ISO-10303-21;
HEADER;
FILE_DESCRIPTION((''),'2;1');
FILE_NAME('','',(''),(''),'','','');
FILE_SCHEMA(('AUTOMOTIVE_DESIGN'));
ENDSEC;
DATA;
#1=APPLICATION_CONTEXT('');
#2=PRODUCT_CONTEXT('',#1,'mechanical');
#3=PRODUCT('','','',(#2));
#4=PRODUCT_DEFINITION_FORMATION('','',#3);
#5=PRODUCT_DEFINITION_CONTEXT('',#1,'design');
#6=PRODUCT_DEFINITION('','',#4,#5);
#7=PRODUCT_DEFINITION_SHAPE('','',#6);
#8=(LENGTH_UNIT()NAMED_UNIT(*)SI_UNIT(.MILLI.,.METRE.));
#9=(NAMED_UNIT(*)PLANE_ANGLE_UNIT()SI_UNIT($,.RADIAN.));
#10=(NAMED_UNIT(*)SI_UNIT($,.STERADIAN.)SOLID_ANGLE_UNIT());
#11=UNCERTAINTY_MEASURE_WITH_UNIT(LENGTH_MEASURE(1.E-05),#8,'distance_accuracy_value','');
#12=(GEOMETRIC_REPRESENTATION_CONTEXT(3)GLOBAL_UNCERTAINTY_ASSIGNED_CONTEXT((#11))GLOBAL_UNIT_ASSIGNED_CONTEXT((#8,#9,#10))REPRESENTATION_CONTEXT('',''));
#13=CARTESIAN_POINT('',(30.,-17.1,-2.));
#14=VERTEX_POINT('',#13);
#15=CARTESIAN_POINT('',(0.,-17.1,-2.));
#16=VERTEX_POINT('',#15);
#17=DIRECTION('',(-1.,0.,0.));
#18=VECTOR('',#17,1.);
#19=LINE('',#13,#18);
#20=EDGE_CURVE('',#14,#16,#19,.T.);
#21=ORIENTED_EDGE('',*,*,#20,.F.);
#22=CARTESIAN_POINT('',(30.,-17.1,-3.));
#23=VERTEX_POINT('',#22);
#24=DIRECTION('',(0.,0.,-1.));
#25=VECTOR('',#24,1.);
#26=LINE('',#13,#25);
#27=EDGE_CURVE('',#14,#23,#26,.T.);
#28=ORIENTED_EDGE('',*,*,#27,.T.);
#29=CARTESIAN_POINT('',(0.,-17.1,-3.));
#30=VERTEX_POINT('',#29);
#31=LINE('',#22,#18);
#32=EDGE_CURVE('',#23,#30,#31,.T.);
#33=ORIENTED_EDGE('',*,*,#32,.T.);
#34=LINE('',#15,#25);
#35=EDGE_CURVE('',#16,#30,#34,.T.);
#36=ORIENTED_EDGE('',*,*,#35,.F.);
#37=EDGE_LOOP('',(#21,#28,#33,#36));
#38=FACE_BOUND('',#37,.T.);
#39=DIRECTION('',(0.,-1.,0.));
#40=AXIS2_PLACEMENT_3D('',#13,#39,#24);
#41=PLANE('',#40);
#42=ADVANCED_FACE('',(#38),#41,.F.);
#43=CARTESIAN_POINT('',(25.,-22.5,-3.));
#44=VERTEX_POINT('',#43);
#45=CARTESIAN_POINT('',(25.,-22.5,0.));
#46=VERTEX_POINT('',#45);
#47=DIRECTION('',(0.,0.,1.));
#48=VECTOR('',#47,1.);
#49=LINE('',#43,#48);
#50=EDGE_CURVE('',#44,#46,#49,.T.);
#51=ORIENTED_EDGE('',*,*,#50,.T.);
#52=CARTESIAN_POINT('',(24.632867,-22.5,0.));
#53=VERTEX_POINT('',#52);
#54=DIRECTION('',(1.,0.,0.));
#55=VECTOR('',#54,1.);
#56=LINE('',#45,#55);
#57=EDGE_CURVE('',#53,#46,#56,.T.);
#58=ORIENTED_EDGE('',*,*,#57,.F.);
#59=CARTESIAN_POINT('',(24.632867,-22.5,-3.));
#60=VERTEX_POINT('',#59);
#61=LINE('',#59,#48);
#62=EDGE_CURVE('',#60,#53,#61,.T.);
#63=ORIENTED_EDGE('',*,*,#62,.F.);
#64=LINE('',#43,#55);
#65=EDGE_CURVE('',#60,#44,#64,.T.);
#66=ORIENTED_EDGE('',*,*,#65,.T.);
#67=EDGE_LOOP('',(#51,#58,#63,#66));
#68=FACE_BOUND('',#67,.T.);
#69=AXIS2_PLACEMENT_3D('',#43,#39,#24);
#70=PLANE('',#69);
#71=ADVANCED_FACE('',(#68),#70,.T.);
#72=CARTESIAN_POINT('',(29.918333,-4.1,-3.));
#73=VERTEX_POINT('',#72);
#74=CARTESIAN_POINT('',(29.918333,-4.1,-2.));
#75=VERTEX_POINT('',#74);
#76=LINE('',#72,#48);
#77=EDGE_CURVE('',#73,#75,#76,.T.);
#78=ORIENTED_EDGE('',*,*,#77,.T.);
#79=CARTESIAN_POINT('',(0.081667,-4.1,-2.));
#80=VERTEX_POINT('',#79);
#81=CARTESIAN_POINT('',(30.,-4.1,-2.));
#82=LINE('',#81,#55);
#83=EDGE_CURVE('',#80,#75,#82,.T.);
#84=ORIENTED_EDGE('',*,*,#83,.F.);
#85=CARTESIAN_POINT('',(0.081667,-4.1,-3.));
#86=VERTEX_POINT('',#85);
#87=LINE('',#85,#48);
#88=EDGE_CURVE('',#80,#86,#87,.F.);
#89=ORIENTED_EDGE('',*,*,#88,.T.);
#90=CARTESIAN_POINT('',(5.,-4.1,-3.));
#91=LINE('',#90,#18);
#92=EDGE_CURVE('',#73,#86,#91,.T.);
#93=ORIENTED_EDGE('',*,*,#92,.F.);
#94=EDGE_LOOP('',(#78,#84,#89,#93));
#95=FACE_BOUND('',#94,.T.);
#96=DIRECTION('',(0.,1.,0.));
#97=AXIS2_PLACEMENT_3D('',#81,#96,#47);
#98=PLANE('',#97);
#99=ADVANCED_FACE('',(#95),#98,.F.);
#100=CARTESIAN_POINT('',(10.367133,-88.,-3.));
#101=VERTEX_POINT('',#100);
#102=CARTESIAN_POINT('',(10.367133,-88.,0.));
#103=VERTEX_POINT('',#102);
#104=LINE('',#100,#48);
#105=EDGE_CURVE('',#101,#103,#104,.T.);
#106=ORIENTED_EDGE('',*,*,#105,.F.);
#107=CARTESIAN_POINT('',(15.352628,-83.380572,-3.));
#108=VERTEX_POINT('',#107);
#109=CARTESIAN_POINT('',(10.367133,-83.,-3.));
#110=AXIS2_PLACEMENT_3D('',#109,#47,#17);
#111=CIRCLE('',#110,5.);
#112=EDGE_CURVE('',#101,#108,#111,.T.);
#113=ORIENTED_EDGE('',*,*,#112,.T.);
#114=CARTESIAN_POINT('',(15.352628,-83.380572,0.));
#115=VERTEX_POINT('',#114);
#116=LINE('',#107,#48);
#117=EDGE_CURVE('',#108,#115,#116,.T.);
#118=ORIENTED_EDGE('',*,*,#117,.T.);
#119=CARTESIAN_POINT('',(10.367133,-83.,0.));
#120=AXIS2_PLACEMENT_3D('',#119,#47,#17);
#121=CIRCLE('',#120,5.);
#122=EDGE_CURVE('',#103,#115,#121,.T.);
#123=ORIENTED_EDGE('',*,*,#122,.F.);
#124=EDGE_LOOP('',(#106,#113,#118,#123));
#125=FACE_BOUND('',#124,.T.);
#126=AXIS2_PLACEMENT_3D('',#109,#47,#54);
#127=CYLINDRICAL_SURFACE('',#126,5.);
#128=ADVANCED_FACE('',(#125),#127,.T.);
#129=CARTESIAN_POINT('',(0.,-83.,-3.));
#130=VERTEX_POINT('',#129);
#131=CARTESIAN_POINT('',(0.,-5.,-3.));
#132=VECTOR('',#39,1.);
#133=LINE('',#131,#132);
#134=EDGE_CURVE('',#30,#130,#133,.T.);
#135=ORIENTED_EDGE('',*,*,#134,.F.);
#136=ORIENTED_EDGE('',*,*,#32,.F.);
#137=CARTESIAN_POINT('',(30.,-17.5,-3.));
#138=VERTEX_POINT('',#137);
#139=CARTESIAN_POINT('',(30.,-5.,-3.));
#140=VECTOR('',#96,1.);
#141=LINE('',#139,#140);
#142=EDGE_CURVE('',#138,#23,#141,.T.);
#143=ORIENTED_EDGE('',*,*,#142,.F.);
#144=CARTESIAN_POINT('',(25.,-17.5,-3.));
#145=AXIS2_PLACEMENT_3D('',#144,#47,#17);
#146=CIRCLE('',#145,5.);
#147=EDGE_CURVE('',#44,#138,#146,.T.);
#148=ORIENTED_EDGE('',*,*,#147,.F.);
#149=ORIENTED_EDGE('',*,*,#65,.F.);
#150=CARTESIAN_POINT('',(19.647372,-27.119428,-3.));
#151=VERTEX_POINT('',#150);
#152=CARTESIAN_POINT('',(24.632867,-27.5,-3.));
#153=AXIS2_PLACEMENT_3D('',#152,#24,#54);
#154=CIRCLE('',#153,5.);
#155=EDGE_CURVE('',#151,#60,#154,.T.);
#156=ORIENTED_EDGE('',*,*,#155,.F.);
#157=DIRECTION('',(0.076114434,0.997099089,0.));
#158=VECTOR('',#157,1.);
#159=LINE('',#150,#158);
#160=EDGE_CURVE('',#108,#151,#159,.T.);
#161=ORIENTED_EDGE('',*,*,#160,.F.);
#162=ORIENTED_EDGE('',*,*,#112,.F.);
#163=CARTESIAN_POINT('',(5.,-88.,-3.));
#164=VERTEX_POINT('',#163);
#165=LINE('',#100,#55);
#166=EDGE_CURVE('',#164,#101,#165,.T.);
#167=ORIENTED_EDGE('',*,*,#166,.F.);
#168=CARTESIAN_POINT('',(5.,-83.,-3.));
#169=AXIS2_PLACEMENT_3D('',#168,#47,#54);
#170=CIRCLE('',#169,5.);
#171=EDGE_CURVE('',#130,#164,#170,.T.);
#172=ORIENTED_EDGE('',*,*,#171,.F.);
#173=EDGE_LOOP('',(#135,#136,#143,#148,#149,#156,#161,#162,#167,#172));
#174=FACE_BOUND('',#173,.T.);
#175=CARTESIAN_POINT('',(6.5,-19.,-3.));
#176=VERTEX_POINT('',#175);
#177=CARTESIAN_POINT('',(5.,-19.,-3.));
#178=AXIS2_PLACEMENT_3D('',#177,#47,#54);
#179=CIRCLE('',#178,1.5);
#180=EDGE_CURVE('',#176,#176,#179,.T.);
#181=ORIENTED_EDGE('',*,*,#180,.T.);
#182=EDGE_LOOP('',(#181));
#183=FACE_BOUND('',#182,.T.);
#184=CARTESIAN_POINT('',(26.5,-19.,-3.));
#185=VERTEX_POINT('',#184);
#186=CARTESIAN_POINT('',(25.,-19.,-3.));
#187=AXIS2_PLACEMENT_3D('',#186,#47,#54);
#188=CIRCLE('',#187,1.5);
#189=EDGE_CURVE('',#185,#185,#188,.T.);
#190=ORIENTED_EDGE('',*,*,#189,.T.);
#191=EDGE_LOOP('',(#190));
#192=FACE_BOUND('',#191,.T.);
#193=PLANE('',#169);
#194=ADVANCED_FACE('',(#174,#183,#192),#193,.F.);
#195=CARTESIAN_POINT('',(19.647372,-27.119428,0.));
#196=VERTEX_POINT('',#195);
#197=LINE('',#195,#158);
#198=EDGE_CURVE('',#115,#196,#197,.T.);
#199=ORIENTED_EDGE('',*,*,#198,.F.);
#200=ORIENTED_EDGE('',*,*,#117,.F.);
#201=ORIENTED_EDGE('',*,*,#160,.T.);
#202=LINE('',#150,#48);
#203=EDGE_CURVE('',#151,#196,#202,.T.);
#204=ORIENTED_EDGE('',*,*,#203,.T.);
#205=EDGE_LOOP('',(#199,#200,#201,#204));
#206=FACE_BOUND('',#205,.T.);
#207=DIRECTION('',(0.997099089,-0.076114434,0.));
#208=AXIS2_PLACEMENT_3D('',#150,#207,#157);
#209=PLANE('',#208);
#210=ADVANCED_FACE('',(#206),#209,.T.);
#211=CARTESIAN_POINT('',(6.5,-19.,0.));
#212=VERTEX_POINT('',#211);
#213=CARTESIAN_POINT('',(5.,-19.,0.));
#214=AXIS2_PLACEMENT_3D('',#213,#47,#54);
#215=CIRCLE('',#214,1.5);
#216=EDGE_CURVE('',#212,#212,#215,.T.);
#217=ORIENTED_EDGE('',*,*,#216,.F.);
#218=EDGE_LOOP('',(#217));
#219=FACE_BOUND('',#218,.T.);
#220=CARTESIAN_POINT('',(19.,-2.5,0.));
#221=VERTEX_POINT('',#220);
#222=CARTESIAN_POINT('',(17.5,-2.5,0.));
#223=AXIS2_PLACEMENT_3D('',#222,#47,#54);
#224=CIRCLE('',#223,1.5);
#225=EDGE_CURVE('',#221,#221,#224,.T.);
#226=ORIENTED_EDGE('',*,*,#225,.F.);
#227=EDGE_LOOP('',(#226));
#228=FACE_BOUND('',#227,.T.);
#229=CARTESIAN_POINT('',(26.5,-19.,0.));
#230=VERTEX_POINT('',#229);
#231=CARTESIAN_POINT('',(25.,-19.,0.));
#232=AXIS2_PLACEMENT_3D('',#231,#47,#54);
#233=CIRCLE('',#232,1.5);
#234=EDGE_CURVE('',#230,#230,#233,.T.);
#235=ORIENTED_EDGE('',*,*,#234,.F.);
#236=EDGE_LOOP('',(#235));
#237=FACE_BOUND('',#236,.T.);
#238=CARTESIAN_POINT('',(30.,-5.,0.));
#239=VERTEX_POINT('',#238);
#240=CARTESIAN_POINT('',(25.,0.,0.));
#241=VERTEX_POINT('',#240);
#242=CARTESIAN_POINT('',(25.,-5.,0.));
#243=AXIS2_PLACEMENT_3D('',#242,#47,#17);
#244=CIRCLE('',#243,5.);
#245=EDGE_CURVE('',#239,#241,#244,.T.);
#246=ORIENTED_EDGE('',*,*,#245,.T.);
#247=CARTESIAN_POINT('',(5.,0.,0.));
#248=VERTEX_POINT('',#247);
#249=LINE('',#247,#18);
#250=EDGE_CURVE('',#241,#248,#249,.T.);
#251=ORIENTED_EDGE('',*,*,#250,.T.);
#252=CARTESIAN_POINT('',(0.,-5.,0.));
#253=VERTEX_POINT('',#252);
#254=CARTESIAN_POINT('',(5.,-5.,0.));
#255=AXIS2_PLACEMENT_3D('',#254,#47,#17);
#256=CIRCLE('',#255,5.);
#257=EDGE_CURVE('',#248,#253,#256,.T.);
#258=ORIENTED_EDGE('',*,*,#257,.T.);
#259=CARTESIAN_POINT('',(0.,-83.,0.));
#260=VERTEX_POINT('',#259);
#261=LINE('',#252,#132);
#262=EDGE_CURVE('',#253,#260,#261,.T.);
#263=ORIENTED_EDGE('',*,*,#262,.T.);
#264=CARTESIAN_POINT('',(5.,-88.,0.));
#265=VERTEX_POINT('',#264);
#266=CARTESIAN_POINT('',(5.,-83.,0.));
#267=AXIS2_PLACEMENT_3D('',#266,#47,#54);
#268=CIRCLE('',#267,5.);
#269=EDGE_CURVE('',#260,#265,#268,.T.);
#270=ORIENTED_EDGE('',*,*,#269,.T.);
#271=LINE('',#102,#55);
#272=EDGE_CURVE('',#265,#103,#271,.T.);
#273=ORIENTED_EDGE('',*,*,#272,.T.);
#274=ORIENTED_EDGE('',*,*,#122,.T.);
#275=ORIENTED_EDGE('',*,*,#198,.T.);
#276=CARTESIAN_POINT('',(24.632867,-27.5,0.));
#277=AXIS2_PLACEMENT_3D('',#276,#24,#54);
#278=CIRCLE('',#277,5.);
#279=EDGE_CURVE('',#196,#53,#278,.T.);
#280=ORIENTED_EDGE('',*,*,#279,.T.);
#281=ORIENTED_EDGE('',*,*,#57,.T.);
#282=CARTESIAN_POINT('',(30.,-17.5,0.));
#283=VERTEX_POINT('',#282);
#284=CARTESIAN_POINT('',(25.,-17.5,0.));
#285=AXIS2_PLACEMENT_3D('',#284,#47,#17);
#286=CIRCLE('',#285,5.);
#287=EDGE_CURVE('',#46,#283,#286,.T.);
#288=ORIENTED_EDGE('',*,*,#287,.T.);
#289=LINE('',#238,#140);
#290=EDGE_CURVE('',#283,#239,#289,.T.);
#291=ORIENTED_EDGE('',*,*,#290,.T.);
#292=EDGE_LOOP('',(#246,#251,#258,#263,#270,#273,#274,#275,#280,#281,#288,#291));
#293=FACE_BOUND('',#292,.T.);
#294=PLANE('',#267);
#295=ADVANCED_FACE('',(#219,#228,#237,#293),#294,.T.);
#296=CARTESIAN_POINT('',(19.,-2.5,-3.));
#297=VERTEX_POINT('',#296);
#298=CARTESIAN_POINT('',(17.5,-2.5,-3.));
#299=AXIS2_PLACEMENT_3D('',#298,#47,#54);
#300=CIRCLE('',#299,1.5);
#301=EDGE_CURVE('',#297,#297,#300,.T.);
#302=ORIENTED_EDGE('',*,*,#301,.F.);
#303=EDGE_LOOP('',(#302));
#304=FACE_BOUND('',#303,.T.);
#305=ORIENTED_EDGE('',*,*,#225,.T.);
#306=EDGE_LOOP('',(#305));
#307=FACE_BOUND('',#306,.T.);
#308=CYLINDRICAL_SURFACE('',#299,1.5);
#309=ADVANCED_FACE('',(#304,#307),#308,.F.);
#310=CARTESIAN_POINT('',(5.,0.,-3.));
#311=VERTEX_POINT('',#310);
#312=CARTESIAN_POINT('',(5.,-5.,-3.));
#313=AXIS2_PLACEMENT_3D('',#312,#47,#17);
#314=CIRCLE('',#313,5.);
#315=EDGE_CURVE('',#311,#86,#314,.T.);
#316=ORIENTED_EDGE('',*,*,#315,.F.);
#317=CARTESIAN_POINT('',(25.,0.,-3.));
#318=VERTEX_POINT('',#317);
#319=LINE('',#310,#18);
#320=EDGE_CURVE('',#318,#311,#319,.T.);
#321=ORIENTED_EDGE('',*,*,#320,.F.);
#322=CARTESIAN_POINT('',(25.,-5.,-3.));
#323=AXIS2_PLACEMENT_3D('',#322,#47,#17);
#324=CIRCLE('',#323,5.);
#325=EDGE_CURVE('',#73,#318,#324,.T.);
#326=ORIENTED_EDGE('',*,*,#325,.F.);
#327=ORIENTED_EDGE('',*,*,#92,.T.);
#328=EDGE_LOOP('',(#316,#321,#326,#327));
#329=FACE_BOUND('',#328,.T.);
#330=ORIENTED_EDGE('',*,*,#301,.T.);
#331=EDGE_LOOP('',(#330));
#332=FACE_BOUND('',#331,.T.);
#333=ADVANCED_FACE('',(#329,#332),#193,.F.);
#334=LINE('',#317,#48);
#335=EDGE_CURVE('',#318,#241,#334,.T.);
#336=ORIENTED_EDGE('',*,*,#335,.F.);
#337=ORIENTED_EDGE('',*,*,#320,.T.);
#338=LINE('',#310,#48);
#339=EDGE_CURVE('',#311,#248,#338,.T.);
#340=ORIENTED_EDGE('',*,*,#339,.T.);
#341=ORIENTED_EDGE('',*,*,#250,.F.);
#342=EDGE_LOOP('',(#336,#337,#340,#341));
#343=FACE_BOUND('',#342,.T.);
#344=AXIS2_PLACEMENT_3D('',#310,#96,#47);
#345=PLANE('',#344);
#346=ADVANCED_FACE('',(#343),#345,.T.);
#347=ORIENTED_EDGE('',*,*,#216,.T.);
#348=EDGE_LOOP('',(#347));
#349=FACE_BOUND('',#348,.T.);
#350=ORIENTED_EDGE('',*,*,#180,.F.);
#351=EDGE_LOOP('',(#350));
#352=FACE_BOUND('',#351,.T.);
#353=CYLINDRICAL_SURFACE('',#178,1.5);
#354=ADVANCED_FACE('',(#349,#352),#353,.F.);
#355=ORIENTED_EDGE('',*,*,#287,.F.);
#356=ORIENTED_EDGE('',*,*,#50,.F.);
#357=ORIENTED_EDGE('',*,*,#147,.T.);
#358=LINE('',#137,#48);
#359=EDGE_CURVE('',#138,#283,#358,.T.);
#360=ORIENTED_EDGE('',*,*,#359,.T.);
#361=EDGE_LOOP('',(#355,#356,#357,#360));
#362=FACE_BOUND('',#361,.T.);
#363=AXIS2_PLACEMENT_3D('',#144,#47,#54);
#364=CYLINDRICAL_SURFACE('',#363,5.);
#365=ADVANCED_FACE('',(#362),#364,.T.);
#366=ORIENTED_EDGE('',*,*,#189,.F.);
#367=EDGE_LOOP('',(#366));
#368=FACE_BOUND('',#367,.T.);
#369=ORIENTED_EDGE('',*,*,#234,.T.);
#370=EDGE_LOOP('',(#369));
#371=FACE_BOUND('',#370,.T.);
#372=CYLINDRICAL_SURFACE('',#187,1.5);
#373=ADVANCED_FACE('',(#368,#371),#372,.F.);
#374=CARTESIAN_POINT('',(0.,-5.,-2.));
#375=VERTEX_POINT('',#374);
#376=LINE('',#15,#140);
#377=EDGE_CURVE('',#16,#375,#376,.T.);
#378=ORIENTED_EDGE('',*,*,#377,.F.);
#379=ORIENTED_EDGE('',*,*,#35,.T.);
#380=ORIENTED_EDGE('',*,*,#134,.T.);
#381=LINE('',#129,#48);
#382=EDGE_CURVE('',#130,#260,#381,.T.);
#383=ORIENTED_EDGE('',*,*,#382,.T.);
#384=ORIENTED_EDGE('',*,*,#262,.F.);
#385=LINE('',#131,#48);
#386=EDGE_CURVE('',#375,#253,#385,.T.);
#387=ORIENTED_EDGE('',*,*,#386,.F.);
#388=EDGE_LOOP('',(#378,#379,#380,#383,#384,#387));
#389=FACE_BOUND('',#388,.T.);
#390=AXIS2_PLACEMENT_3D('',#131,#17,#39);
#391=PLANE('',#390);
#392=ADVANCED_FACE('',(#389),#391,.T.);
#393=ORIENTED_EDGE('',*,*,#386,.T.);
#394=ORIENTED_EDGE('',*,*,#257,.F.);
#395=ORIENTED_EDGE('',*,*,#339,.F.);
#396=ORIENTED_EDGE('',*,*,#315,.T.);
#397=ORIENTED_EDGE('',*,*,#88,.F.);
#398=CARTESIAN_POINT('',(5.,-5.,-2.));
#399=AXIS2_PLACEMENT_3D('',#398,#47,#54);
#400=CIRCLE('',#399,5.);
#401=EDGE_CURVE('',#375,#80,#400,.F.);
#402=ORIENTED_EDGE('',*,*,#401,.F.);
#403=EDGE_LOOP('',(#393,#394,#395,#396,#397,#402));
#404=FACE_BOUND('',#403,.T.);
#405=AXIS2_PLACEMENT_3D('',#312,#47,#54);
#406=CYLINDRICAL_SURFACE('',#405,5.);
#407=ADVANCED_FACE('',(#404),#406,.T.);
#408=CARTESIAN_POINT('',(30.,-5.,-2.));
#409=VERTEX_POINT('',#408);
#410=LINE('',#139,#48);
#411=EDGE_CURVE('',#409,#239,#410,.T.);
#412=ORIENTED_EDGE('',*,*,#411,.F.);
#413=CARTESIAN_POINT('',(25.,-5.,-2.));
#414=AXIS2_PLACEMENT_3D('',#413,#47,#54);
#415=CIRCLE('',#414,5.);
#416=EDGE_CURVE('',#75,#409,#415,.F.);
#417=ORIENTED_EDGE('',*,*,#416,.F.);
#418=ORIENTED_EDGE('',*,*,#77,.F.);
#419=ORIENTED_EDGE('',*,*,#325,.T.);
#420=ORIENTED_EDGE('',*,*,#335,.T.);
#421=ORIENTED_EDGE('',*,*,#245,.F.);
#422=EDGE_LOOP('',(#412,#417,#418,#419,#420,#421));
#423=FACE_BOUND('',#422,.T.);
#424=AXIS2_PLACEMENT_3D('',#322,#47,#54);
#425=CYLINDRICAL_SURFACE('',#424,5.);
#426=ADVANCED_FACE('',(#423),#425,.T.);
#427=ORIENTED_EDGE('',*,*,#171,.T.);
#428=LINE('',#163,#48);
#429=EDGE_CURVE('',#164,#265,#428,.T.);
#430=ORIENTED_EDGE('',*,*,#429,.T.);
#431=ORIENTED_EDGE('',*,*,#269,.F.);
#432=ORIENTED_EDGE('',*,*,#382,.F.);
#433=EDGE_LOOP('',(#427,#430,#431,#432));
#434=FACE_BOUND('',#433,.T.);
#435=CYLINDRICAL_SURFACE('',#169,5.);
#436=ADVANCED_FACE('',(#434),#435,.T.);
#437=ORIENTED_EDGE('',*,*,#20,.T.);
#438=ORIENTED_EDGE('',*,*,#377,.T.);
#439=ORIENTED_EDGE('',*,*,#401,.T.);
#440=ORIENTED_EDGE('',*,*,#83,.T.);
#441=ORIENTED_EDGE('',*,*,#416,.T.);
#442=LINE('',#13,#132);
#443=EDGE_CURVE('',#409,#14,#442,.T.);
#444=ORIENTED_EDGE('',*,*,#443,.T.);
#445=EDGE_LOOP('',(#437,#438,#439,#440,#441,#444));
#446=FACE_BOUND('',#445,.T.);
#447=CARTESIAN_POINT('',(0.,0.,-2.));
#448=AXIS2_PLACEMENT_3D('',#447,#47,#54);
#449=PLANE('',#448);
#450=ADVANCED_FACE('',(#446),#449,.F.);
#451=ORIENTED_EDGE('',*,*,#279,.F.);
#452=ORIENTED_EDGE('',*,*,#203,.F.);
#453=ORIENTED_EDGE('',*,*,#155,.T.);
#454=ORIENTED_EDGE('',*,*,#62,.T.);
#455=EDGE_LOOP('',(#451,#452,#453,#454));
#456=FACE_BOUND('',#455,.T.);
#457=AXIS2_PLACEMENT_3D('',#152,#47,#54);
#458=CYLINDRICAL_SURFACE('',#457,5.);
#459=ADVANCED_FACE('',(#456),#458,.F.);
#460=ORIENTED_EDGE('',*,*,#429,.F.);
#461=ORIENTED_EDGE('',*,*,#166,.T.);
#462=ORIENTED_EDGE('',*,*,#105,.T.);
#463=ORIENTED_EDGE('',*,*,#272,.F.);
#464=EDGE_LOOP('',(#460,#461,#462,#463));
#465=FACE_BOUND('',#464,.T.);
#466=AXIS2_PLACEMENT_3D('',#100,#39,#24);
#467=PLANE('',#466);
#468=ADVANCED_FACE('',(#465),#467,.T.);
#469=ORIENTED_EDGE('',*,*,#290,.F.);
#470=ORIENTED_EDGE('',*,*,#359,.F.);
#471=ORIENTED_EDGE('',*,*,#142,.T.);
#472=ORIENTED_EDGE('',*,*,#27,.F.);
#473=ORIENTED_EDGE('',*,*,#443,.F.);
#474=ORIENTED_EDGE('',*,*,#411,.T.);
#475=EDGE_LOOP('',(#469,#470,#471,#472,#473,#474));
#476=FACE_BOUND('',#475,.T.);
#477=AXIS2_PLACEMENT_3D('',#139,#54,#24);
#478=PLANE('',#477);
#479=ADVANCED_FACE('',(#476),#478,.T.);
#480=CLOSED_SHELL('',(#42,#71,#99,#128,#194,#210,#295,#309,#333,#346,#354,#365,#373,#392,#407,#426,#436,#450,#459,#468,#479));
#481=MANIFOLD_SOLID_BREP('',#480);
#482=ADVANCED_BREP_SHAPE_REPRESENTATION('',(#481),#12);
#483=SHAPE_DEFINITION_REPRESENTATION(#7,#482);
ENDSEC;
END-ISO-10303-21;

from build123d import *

# Parameters (mm, degrees)
CROQUIS1_R              = 1.5
SALIENTE_EXTRUIR1_DEPTH = 3
CROQUIS2_W              = 30
CROQUIS2_H              = 13
CORTAR_EXTRUIR2_DEPTH   = 1


with BuildPart() as part:
    # Croquis1 → Saliente-Extruir1 (new body)
    with BuildSketch(Plane.XY):
        with BuildLine():
            Line((0, -5), (0, -83))
            ThreePointArc((0, -83), (1.464466094, -86.535533906), (5, -88))
            Line((5, -88), (10.367132634, -88))
            ThreePointArc((10.367132634, -88), (13.765451273, -86.667619177), (15.352628079, -83.380572171))
            Line((15.352628079, -83.380572171), (19.647371921, -27.119427829))
            ThreePointArc((19.647371921, -27.119427829), (21.234548727, -23.832380823), (24.632867366, -22.5))
            Line((24.632867366, -22.5), (25, -22.5))
            ThreePointArc((25, -22.5), (28.535533906, -21.035533906), (30, -17.5))
            Line((30, -17.5), (30, -5))
            ThreePointArc((30, -5), (28.535533906, -1.464466094), (25, 0))
            Line((25, 0), (5, 0))
            ThreePointArc((5, 0), (1.464466094, -1.464466094), (0, -5))
        make_face()
        with Locations((17.5, -2.5)):
            Circle(CROQUIS1_R, mode=Mode.SUBTRACT)
        with Locations((5, -19)):
            Circle(CROQUIS1_R, mode=Mode.SUBTRACT)
        with Locations((25, -19)):
            Circle(CROQUIS1_R, mode=Mode.SUBTRACT)
    extrude(amount=-SALIENTE_EXTRUIR1_DEPTH)

    # Croquis2 → Cortar-Extruir2 (cut)
    with BuildSketch(Plane(origin=(0, 0, -3), x_dir=(-1, 0, 0), z_dir=(0, 0, -1))):
        with Locations((-15, -10.6)):
            Rectangle(CROQUIS2_W, CROQUIS2_H)
    extrude(amount=-CORTAR_EXTRUIR2_DEPTH, mode=Mode.SUBTRACT)


solid = part.part
